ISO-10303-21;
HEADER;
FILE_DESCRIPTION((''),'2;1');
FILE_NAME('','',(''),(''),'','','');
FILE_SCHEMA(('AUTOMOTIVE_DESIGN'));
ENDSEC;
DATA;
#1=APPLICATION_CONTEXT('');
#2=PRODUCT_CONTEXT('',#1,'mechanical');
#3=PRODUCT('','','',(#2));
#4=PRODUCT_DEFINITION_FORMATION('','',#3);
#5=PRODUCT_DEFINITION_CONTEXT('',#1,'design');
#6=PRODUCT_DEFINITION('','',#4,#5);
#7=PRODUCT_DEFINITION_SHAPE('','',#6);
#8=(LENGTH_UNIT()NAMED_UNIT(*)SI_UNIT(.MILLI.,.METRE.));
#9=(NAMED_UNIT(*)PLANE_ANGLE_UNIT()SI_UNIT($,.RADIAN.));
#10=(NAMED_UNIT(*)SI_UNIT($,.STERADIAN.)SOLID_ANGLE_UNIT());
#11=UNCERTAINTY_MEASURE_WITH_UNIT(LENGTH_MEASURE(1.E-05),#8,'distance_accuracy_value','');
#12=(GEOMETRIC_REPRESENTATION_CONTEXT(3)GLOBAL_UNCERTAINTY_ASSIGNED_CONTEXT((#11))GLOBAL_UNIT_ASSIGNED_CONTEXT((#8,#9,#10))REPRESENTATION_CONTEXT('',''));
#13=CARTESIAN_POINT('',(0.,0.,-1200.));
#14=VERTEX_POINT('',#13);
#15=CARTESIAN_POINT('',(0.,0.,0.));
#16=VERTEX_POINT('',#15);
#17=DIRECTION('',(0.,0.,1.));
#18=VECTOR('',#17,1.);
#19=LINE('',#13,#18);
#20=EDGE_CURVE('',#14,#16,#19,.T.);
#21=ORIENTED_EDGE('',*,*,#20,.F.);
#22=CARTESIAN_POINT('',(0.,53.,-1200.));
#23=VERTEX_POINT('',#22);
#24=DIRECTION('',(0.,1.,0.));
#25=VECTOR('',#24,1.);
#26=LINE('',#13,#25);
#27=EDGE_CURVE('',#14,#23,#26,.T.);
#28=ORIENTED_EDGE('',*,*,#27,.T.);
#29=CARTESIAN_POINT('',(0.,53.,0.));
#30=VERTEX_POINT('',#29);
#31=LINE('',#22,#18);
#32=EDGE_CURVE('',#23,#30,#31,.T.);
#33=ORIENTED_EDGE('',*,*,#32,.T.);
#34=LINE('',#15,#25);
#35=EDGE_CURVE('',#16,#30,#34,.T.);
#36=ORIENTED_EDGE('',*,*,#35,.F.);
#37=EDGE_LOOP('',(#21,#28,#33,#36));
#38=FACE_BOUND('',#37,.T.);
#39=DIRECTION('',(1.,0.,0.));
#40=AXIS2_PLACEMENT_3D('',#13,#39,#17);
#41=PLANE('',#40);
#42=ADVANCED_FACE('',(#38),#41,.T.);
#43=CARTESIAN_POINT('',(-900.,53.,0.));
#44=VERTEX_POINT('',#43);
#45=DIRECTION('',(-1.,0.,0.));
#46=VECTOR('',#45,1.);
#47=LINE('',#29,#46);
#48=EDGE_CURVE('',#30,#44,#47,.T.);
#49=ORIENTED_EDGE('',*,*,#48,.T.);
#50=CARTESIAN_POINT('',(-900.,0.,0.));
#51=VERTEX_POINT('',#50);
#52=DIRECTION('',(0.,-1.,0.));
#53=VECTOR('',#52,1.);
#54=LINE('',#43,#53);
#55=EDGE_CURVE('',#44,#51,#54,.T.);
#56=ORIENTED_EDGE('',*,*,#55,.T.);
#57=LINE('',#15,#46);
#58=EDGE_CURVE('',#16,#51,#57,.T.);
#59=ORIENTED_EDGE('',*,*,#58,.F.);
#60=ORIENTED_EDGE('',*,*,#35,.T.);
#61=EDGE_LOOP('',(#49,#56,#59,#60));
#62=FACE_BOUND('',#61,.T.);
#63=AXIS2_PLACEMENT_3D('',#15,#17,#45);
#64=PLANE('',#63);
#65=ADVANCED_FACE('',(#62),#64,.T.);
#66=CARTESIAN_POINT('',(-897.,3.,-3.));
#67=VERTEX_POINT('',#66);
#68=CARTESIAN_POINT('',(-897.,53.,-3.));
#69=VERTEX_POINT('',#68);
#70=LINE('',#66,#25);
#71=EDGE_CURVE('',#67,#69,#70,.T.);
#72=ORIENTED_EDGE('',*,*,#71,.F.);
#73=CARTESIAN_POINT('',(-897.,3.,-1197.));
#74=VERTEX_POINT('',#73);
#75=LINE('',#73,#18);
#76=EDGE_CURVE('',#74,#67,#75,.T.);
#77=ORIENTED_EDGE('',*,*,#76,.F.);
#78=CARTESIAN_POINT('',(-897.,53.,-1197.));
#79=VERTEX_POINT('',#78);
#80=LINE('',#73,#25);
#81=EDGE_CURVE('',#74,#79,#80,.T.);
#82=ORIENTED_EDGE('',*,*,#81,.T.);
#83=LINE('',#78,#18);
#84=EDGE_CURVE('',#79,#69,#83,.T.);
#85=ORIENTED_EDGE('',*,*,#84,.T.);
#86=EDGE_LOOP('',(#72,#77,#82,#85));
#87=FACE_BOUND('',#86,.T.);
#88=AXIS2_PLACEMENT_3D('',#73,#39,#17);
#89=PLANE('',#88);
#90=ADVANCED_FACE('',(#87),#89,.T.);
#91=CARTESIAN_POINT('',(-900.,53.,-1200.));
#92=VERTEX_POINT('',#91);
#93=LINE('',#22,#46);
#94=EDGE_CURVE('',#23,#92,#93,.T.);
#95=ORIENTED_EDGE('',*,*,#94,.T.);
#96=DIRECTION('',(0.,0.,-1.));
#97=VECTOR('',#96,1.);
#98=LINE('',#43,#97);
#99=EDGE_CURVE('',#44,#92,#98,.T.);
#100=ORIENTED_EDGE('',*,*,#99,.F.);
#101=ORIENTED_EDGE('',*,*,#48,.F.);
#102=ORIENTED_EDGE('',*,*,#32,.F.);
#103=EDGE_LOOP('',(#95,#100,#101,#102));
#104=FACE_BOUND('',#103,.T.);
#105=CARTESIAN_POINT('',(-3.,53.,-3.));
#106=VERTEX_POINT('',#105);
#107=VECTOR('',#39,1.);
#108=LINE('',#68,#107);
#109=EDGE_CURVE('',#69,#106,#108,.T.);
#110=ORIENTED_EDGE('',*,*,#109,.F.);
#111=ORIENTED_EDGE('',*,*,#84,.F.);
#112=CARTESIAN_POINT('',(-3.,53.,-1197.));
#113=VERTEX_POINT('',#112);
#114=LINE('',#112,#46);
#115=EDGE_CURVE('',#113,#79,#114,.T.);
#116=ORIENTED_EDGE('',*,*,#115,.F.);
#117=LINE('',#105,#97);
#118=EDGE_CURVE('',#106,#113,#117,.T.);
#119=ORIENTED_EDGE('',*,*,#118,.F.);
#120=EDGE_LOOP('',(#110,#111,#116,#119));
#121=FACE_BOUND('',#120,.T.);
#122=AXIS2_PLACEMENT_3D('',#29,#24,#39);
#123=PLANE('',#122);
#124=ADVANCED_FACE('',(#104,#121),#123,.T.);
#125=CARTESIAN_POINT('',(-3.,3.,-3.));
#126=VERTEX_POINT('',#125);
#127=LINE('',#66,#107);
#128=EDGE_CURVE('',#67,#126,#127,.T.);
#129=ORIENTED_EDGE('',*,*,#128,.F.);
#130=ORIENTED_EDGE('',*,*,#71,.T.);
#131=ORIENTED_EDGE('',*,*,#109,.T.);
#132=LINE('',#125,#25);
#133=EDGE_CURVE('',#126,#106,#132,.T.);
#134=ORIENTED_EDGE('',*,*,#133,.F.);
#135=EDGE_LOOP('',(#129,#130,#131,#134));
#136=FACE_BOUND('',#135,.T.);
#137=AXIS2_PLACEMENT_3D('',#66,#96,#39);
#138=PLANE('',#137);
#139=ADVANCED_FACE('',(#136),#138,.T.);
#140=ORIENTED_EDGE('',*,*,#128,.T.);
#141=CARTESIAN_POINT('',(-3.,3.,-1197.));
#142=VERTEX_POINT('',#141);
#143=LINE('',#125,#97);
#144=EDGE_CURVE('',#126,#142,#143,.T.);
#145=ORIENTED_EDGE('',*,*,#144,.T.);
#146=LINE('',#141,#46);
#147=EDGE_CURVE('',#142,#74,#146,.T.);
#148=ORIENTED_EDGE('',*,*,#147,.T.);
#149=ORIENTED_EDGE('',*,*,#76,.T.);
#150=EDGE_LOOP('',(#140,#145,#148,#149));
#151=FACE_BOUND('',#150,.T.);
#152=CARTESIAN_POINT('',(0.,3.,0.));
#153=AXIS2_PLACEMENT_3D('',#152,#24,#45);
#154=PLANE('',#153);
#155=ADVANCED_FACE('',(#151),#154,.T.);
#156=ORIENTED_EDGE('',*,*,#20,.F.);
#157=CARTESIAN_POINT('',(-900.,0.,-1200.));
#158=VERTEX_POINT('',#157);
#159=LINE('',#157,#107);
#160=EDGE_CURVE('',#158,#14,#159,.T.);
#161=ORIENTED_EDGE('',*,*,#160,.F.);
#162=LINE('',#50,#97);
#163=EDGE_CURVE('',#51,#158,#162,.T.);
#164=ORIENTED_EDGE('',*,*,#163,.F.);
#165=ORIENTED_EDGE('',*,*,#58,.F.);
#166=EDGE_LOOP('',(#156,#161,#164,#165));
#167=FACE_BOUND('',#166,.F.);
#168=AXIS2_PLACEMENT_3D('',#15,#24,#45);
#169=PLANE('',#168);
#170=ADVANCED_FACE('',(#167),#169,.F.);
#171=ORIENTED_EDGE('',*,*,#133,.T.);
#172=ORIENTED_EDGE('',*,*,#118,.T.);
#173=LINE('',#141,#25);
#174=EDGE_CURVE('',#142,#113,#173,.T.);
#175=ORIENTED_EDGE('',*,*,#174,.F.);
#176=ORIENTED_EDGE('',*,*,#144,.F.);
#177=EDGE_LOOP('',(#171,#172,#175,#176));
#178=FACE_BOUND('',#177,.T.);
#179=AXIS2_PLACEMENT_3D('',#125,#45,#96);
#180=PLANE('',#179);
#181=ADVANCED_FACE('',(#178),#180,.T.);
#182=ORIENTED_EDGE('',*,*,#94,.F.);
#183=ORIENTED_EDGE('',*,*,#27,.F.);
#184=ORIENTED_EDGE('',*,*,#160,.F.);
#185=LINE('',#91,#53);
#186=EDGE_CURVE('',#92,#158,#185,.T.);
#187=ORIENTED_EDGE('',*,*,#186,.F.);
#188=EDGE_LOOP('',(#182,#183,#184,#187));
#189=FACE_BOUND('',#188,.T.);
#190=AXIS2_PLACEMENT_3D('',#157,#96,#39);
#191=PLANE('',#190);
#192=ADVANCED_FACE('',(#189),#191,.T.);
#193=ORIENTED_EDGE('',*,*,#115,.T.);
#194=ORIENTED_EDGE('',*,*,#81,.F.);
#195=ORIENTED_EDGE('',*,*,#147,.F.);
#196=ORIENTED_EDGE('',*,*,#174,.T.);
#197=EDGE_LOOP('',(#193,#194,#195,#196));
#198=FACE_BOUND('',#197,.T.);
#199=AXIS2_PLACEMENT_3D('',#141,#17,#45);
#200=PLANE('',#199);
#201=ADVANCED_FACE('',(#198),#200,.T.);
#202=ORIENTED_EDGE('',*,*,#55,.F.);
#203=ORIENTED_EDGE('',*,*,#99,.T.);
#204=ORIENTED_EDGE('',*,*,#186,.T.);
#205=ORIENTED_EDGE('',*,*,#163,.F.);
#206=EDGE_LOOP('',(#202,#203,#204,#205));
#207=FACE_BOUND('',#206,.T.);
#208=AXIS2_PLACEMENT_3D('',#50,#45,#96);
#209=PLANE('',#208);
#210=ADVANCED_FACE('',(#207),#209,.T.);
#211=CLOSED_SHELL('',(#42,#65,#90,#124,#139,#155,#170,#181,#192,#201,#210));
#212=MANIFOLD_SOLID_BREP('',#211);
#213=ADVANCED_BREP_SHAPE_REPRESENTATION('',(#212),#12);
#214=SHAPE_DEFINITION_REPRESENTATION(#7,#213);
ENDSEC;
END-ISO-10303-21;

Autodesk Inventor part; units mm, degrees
ref_plane "YZ Plane" through (0, 0, 0) normal (1, 0, 0) x (0, 1, 0)
ref_plane "XZ Plane" through (0, 0, 0) normal (0, 1, 0) x (-1, 0, 0)
ref_plane "XY Plane" through (0, 0, 0) normal (0, 0, 1) x (1, 0, 0)
sketch "Boceto1" plane through (0, 0, 0) normal (0, 1, 0) x (-1, 0, 0)
  line L0 (0, 0) -> (900, 0)
  line L1 (900, 0) -> (900, -1200)
  line L2 (900, -1200) -> (0, -1200)
  line L3 (0, -1200) -> (0, 0)
  dimension "d0" = 900
  dimension "d1" = 1200
extrude "Extrusión1" add sketch "Boceto1" along normal blind 3
sketch "Boceto2" plane through (0, 3, 0) normal (0, 1, 0) x (1, 0, 0)
  line L0 (0, 1200) -> (-900, 1200) projected
  line L1 (0, 0) -> (-900, 0)
  line L2 (-900, 0) -> (-900, 1200)
  line L3 (-900, 1200) -> (0, 1200)
  line L4 (0, 1200) -> (0, 0)
  line L5 (-897, 1197) -> (-897, 3)
  line L6 (-897, 3) -> (-3, 3)
  line L7 (-3, 3) -> (-3, 1197)
  line L8 (-3, 1197) -> (-897, 1197)
  dimension "d4" = 3
extrude "Extrusión2" add sketch "Boceto2" along normal blind 50
properties part number "tapa mesa"
